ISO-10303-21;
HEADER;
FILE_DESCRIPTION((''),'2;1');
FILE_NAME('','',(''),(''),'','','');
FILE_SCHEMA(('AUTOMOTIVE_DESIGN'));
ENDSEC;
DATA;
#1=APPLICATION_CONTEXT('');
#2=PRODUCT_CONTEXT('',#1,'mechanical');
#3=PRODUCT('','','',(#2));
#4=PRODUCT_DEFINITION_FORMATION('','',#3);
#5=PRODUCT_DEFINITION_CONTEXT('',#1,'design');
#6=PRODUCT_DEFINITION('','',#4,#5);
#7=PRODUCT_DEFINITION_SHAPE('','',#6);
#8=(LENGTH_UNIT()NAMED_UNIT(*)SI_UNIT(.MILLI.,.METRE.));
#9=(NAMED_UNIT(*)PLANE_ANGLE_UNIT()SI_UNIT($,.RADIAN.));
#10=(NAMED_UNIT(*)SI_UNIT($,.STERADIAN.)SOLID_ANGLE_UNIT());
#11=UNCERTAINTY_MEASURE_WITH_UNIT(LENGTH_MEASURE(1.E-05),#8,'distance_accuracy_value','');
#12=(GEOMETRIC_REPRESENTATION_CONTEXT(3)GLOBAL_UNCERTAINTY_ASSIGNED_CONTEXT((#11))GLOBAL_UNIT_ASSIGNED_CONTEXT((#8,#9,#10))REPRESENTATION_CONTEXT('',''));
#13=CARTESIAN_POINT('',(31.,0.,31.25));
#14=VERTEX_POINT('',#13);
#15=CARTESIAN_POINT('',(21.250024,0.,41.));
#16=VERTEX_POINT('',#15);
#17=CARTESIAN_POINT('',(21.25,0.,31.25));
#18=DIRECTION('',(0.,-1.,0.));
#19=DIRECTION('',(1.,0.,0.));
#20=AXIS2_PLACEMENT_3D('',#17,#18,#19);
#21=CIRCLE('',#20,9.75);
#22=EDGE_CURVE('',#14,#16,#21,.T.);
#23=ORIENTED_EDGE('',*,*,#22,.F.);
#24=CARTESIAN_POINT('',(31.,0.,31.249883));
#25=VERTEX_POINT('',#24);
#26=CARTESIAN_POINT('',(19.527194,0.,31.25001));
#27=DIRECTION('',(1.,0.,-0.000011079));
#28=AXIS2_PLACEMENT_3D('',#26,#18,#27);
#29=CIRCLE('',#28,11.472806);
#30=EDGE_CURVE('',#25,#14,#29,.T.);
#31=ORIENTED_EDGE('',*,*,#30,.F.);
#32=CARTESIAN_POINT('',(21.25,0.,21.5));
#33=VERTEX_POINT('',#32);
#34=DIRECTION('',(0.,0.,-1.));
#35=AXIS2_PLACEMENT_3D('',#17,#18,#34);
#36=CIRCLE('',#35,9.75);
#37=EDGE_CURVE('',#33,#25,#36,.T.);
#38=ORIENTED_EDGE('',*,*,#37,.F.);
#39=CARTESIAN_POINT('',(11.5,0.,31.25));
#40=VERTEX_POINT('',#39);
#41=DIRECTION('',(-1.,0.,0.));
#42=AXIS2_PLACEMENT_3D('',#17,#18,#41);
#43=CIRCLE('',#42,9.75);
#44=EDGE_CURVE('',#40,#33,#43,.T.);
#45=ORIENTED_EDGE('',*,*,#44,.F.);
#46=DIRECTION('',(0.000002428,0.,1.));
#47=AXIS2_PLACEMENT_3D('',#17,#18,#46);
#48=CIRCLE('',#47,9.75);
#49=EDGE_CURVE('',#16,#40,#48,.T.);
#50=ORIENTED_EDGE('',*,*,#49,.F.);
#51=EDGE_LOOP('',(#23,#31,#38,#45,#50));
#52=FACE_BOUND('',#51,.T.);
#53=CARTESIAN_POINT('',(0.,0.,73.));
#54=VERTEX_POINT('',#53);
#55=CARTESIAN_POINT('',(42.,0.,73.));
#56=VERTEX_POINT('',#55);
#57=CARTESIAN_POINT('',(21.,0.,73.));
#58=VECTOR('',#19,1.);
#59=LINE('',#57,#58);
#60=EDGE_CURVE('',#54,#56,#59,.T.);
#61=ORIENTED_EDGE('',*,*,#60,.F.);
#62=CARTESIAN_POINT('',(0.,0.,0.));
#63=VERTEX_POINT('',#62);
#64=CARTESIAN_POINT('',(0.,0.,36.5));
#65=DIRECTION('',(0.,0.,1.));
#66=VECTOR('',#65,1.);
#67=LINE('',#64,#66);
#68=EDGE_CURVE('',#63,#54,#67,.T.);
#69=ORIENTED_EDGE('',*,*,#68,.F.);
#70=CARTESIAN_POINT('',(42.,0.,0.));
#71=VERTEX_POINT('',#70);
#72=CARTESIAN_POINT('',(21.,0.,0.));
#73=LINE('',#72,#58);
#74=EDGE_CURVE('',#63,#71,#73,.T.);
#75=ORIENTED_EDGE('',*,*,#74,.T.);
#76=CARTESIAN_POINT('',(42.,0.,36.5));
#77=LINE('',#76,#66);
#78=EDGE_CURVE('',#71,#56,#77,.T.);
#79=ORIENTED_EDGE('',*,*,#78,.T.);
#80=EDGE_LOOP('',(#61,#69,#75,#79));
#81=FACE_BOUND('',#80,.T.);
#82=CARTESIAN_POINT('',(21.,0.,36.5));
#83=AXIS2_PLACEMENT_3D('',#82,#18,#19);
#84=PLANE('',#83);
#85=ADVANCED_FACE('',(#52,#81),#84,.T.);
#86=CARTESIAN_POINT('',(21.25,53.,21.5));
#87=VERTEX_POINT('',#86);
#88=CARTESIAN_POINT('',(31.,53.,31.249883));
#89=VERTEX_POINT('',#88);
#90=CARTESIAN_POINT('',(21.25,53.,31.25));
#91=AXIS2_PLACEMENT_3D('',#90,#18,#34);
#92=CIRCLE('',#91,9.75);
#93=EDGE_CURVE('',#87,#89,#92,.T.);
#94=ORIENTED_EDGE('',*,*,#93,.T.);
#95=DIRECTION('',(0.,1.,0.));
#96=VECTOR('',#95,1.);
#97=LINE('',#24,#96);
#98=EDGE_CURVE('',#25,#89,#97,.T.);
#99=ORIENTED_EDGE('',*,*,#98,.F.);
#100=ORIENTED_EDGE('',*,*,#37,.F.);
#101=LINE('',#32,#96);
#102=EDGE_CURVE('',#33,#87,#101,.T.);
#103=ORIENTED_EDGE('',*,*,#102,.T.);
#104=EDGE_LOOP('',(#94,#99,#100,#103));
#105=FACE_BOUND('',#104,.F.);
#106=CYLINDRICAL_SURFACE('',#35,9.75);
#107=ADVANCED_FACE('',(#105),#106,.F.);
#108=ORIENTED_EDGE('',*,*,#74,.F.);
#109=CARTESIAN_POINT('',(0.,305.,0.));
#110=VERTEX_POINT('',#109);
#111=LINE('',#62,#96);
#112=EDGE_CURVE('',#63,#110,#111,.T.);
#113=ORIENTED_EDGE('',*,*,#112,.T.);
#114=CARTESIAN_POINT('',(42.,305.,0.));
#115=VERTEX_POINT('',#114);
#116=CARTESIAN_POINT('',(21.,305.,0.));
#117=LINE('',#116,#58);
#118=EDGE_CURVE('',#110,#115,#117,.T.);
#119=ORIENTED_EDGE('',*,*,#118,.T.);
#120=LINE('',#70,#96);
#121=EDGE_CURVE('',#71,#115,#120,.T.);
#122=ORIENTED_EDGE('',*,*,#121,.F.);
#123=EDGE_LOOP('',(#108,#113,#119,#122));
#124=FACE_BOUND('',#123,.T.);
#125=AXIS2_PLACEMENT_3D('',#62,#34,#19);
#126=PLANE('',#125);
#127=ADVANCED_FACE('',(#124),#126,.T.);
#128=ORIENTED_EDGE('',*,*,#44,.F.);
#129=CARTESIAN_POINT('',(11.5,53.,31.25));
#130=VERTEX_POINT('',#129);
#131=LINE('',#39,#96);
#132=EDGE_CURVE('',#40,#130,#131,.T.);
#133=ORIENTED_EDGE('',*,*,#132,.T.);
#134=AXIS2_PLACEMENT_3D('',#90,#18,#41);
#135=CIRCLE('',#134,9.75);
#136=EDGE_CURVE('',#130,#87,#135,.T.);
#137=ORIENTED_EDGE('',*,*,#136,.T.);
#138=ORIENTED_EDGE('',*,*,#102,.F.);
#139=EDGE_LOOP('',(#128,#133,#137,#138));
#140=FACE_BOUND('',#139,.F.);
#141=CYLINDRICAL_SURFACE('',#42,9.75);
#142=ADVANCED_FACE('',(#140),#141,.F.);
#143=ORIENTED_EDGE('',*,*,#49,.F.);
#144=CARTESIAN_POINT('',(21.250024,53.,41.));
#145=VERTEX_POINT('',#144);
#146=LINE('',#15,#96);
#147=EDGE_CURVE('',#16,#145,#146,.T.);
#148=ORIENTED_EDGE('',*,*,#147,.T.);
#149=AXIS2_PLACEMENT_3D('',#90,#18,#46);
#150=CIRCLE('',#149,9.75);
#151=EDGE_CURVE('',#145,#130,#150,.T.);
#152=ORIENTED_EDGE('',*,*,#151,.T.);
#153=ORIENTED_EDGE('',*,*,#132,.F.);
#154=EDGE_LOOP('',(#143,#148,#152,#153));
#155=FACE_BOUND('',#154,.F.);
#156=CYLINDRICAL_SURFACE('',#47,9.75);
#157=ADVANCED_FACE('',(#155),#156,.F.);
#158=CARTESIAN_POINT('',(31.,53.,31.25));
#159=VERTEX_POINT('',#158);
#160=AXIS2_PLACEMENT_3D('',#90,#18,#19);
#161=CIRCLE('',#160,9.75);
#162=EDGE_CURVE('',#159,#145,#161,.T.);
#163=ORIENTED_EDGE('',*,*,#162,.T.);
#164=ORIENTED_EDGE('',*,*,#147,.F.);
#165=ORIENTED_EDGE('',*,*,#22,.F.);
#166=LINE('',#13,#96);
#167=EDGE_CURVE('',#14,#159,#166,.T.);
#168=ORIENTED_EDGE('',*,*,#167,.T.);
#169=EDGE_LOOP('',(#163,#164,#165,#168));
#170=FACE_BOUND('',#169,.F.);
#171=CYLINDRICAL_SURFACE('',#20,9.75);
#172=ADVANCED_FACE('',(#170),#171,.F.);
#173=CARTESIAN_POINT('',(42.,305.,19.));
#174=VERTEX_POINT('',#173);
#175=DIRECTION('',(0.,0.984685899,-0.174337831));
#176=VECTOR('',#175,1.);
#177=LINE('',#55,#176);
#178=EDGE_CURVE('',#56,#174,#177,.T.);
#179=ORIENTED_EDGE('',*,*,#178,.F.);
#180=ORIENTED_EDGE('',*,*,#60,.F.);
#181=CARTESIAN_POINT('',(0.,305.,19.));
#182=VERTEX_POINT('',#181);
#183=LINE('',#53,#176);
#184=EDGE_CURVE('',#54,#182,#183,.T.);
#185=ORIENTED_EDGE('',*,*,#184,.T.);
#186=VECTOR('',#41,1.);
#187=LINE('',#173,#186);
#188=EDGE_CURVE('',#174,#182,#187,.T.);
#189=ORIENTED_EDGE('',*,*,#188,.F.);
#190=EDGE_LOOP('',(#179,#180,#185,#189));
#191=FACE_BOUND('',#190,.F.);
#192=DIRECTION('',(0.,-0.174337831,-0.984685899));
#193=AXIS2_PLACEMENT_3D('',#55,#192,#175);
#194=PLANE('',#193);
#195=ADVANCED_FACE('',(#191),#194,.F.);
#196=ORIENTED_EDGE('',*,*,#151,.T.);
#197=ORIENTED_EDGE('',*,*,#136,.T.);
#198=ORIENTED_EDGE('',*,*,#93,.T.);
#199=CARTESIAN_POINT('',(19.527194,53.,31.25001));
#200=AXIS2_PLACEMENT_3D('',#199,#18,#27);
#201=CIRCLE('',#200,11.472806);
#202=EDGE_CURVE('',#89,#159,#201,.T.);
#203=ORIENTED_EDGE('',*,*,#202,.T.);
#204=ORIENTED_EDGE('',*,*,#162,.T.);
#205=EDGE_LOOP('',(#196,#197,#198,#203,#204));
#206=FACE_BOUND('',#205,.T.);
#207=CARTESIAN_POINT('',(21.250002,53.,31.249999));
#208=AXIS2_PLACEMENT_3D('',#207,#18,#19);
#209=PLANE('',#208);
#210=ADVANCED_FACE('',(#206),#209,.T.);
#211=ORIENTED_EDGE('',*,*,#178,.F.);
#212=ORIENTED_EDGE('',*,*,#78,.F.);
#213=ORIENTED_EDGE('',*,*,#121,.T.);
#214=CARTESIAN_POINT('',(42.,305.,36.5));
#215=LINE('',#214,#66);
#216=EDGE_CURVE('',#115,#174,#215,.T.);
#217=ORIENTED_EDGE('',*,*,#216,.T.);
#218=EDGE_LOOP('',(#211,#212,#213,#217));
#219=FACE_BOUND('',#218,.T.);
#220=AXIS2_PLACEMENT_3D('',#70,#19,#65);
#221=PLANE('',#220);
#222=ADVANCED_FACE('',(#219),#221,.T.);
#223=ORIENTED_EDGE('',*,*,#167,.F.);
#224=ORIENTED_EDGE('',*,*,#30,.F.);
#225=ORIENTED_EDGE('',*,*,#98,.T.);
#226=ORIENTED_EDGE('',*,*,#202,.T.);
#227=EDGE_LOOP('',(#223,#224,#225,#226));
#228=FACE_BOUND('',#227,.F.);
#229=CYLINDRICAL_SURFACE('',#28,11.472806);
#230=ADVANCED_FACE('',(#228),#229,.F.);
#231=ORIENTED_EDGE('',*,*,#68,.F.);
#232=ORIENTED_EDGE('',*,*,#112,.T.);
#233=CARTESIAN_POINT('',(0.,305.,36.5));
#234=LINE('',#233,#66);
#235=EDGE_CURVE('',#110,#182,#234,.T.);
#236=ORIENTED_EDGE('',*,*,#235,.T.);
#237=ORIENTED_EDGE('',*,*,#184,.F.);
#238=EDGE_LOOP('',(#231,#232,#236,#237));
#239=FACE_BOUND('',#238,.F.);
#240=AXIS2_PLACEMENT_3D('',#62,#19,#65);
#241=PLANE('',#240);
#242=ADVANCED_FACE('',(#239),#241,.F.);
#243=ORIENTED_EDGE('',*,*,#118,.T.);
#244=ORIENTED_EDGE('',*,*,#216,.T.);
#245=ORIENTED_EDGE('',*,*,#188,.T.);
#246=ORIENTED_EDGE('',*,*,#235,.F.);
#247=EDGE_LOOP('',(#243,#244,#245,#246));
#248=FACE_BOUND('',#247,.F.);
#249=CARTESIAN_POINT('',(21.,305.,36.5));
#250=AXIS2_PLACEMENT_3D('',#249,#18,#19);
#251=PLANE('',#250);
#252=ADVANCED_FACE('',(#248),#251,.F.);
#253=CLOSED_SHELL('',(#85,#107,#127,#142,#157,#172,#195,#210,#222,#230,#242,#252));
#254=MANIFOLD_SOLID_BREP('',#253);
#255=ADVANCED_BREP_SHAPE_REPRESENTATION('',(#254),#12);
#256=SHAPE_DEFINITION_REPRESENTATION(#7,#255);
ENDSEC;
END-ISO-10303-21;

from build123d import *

# Parameters (mm, degrees)
F0_W     = 42
F0_H     = 73
F1_DEPTH = 305
F3_DEPTH = 42
F5_DEPTH = 53


with BuildPart() as f1:
    # F0 (on Front) → F1 (new body)
    with BuildSketch(Plane.XZ):
        with Locations((21, 36.5)):
            Rectangle(F0_W, F0_H)
    extrude(amount=-F1_DEPTH)

    # F2 (on face) → F3 (cut)
    with BuildSketch(Plane.YZ.offset(42)):
        Polygon((0, 73), (305, 19), (305, 73), align=None)
    extrude(amount=-F3_DEPTH, mode=Mode.SUBTRACT)

    # F4 (on face) → F5 (cut)
    with BuildSketch(Plane.XZ):
        with BuildLine():
            ThreePointArc((31, 31.2498826658), (31.0000000005, 31.2499413329), (31.0000000007, 31.25))
            ThreePointArc((31.0000000007, 31.25), (28.1442994854, 38.1442827484), (21.2500236693, 41))
            ThreePointArc((21.2500236693, 41), (14.3557172523, 38.1442994847), (11.5000000007, 31.25))
            ThreePointArc((11.5000000007, 31.25), (14.3557088841, 24.3557088834), (21.2500000007, 21.5))
            ThreePointArc((21.2500000007, 21.5), (28.1442496332, 24.3556673997), (31, 31.2498826658))
        make_face()
    extrude(amount=-F5_DEPTH, mode=Mode.SUBTRACT)


solid = f1.part
